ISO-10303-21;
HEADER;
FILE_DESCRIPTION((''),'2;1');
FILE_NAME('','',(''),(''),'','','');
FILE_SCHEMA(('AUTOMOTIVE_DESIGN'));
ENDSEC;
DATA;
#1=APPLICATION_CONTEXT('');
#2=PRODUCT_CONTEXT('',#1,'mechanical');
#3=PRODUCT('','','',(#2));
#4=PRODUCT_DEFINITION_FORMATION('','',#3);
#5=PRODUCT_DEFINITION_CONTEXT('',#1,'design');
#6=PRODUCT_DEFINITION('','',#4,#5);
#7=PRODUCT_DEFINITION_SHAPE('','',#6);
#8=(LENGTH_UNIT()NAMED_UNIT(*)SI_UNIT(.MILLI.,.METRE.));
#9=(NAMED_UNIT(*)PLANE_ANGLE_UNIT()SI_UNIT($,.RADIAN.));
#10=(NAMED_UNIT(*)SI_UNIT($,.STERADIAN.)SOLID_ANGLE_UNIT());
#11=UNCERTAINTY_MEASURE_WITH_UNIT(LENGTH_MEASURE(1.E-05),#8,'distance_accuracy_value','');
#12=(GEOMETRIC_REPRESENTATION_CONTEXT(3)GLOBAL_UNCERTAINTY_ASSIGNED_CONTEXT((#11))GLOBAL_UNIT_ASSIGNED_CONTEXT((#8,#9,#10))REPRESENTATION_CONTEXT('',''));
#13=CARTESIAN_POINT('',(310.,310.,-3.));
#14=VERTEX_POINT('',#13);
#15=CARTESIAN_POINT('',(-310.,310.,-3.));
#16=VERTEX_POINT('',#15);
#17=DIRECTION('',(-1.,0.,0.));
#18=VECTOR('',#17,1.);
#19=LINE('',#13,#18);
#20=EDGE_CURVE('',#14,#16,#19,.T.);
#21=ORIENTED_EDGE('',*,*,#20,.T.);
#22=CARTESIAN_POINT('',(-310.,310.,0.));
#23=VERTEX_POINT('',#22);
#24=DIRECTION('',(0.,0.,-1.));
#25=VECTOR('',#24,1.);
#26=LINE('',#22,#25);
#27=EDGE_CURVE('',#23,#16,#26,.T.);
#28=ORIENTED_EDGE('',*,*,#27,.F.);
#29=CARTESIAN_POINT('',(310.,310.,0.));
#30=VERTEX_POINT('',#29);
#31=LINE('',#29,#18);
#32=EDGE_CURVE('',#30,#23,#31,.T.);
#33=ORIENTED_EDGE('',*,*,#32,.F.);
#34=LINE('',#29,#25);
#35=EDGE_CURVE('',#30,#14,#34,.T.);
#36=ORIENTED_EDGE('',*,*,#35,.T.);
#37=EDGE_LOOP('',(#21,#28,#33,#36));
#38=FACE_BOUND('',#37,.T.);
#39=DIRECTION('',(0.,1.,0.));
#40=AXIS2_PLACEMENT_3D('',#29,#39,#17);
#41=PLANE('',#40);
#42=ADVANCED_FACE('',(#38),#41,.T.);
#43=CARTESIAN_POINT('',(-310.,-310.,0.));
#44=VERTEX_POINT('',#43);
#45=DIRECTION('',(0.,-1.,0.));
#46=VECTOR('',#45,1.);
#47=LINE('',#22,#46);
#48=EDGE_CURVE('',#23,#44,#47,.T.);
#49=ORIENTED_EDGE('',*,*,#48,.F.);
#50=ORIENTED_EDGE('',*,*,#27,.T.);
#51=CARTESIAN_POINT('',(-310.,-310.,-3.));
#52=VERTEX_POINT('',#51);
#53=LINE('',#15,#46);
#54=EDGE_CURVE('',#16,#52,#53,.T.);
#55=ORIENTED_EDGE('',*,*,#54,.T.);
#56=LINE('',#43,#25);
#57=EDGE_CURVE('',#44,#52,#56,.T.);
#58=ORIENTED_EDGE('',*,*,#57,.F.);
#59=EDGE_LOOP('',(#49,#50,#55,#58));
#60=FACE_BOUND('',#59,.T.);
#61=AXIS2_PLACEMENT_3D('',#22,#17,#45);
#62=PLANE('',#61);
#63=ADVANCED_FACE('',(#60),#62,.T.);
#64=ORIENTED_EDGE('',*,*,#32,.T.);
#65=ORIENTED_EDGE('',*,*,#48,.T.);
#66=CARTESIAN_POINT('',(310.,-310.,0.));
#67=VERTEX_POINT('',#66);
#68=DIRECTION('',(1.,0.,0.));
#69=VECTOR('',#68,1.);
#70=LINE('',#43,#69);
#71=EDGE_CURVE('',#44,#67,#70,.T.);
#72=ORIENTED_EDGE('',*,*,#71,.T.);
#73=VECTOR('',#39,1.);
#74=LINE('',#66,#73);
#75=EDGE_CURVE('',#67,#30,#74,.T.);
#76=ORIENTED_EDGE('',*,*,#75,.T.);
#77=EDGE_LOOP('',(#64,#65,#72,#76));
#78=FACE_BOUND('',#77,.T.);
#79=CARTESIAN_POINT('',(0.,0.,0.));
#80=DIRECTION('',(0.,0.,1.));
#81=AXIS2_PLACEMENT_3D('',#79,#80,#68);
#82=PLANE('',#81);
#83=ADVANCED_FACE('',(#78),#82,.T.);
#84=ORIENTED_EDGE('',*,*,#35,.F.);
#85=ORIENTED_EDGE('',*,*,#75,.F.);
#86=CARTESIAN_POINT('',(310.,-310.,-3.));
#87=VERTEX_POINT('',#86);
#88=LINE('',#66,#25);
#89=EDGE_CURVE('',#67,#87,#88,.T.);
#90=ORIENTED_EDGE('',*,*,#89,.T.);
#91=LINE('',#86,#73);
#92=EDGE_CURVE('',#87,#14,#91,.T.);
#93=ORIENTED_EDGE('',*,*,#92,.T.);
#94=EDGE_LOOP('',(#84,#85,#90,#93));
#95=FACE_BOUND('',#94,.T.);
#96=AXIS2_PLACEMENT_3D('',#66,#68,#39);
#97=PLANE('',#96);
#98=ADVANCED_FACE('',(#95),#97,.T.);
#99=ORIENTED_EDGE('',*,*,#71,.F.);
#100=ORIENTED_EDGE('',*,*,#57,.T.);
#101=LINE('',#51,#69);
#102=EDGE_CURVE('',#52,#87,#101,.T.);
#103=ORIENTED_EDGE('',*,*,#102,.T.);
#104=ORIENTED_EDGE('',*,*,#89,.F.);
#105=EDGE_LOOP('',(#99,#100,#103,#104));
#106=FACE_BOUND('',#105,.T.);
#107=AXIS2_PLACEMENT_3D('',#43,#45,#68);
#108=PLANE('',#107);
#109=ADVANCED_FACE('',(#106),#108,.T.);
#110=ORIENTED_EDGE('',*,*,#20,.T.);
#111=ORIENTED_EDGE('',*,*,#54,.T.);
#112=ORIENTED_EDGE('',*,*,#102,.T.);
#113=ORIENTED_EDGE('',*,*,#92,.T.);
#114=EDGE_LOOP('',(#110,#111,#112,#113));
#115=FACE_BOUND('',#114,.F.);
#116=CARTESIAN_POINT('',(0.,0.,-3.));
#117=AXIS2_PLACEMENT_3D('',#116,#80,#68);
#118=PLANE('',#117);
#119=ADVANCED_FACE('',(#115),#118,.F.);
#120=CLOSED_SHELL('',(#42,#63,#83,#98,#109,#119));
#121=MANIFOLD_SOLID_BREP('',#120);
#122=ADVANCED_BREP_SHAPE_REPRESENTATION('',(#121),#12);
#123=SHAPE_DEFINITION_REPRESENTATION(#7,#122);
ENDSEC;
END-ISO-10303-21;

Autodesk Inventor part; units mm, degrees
ref_plane "YZ Plane" through (0, 0, 0) normal (1, 0, 0) x (0, 1, 0)
ref_plane "XZ Plane" through (0, 0, 0) normal (0, 1, 0) x (-1, 0, 0)
ref_plane "XY Plane" through (0, 0, 0) normal (0, 0, 1) x (1, 0, 0)
sketch "Sketch1" plane through (0, 0, 0) normal (0, 0, 1) x (1, 0, 0)
  line L0 (-310, -310) -> (310, -310)
  line L1 (310, -310) -> (310, 310)
  line L2 (310, 310) -> (-310, 310)
  line L3 (-310, 310) -> (-310, -310)
  line L4 (-310, -310) -> (310, 310) construction
  line L5 (310, -310) -> (-310, 310) construction
  point P0 (0, 0)
  dimension "d0" = 620
  dimension "d1" = 620
extrude "Extrusion1" add sketch "Sketch1" against normal blind 3
properties part number "RT_FRM_V5_MC_01_DynamicsTop" material "Polycarbonate, Clear"
